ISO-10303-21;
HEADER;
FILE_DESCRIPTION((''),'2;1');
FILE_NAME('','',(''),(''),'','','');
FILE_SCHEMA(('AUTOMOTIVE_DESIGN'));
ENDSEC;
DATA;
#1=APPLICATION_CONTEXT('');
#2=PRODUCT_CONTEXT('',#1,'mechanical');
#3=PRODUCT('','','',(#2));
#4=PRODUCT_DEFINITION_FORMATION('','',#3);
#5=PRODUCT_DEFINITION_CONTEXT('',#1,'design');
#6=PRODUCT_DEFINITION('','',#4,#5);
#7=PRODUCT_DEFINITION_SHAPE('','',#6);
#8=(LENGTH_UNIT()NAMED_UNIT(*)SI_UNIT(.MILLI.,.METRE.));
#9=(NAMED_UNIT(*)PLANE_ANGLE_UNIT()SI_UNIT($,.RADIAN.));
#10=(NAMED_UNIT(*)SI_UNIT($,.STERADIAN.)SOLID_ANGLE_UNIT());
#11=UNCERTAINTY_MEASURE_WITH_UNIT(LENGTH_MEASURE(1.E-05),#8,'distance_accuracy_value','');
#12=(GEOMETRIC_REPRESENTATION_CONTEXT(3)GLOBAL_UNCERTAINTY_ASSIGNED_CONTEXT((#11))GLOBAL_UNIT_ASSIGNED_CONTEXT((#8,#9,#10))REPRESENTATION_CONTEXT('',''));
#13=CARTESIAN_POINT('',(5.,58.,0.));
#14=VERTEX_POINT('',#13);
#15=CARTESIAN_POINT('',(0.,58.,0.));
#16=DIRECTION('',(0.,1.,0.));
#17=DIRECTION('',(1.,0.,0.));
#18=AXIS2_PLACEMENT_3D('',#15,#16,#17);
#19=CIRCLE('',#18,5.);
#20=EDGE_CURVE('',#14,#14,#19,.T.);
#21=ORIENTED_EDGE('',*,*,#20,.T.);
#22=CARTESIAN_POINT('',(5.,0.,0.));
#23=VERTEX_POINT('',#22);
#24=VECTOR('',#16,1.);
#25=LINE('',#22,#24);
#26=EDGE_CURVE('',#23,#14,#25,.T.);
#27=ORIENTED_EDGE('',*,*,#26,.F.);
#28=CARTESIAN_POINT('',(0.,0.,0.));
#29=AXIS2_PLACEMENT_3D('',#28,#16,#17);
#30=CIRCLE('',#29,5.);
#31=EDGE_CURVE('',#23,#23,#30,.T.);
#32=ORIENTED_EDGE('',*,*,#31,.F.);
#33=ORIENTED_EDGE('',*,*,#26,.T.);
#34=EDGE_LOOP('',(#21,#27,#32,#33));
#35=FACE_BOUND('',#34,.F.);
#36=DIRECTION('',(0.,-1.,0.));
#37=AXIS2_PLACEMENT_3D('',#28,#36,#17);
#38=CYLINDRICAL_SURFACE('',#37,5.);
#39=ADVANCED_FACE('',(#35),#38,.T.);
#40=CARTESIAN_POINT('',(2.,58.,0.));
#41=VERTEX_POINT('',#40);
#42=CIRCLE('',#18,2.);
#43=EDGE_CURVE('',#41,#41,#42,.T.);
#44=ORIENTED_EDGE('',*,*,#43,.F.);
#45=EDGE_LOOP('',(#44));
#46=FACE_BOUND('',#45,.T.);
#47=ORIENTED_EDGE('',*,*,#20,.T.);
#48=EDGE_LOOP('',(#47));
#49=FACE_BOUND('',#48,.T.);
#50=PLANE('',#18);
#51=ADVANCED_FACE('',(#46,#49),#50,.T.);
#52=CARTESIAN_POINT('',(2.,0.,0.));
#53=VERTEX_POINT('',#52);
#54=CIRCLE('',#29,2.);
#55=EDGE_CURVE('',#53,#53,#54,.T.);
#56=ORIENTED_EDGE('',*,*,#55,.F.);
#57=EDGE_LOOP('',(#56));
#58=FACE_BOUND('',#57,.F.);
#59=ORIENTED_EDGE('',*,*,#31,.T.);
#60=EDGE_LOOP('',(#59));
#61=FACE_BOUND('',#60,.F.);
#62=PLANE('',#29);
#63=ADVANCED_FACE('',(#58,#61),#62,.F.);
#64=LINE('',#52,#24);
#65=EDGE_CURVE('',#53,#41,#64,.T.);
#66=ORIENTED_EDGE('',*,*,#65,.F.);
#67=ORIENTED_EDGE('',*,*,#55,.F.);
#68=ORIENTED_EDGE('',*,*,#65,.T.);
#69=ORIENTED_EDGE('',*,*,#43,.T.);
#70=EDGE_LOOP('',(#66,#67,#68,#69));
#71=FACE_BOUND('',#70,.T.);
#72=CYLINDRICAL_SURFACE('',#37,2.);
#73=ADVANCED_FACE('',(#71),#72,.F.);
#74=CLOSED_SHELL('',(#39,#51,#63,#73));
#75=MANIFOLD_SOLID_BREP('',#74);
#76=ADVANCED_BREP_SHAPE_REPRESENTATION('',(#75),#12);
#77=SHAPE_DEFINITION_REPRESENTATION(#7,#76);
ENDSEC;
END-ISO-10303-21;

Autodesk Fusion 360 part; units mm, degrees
sketch "Sketch1" plane through (0, 0, 0) normal (0, 1, 0) x (1, 0, 0)
  circle A0 centre (0, 0) radius 2
  circle A1 centre (0, 0) radius 5
  dimension "d1" = 4
extrude "Extrude1" add sketch "Sketch1" along normal blind 58
